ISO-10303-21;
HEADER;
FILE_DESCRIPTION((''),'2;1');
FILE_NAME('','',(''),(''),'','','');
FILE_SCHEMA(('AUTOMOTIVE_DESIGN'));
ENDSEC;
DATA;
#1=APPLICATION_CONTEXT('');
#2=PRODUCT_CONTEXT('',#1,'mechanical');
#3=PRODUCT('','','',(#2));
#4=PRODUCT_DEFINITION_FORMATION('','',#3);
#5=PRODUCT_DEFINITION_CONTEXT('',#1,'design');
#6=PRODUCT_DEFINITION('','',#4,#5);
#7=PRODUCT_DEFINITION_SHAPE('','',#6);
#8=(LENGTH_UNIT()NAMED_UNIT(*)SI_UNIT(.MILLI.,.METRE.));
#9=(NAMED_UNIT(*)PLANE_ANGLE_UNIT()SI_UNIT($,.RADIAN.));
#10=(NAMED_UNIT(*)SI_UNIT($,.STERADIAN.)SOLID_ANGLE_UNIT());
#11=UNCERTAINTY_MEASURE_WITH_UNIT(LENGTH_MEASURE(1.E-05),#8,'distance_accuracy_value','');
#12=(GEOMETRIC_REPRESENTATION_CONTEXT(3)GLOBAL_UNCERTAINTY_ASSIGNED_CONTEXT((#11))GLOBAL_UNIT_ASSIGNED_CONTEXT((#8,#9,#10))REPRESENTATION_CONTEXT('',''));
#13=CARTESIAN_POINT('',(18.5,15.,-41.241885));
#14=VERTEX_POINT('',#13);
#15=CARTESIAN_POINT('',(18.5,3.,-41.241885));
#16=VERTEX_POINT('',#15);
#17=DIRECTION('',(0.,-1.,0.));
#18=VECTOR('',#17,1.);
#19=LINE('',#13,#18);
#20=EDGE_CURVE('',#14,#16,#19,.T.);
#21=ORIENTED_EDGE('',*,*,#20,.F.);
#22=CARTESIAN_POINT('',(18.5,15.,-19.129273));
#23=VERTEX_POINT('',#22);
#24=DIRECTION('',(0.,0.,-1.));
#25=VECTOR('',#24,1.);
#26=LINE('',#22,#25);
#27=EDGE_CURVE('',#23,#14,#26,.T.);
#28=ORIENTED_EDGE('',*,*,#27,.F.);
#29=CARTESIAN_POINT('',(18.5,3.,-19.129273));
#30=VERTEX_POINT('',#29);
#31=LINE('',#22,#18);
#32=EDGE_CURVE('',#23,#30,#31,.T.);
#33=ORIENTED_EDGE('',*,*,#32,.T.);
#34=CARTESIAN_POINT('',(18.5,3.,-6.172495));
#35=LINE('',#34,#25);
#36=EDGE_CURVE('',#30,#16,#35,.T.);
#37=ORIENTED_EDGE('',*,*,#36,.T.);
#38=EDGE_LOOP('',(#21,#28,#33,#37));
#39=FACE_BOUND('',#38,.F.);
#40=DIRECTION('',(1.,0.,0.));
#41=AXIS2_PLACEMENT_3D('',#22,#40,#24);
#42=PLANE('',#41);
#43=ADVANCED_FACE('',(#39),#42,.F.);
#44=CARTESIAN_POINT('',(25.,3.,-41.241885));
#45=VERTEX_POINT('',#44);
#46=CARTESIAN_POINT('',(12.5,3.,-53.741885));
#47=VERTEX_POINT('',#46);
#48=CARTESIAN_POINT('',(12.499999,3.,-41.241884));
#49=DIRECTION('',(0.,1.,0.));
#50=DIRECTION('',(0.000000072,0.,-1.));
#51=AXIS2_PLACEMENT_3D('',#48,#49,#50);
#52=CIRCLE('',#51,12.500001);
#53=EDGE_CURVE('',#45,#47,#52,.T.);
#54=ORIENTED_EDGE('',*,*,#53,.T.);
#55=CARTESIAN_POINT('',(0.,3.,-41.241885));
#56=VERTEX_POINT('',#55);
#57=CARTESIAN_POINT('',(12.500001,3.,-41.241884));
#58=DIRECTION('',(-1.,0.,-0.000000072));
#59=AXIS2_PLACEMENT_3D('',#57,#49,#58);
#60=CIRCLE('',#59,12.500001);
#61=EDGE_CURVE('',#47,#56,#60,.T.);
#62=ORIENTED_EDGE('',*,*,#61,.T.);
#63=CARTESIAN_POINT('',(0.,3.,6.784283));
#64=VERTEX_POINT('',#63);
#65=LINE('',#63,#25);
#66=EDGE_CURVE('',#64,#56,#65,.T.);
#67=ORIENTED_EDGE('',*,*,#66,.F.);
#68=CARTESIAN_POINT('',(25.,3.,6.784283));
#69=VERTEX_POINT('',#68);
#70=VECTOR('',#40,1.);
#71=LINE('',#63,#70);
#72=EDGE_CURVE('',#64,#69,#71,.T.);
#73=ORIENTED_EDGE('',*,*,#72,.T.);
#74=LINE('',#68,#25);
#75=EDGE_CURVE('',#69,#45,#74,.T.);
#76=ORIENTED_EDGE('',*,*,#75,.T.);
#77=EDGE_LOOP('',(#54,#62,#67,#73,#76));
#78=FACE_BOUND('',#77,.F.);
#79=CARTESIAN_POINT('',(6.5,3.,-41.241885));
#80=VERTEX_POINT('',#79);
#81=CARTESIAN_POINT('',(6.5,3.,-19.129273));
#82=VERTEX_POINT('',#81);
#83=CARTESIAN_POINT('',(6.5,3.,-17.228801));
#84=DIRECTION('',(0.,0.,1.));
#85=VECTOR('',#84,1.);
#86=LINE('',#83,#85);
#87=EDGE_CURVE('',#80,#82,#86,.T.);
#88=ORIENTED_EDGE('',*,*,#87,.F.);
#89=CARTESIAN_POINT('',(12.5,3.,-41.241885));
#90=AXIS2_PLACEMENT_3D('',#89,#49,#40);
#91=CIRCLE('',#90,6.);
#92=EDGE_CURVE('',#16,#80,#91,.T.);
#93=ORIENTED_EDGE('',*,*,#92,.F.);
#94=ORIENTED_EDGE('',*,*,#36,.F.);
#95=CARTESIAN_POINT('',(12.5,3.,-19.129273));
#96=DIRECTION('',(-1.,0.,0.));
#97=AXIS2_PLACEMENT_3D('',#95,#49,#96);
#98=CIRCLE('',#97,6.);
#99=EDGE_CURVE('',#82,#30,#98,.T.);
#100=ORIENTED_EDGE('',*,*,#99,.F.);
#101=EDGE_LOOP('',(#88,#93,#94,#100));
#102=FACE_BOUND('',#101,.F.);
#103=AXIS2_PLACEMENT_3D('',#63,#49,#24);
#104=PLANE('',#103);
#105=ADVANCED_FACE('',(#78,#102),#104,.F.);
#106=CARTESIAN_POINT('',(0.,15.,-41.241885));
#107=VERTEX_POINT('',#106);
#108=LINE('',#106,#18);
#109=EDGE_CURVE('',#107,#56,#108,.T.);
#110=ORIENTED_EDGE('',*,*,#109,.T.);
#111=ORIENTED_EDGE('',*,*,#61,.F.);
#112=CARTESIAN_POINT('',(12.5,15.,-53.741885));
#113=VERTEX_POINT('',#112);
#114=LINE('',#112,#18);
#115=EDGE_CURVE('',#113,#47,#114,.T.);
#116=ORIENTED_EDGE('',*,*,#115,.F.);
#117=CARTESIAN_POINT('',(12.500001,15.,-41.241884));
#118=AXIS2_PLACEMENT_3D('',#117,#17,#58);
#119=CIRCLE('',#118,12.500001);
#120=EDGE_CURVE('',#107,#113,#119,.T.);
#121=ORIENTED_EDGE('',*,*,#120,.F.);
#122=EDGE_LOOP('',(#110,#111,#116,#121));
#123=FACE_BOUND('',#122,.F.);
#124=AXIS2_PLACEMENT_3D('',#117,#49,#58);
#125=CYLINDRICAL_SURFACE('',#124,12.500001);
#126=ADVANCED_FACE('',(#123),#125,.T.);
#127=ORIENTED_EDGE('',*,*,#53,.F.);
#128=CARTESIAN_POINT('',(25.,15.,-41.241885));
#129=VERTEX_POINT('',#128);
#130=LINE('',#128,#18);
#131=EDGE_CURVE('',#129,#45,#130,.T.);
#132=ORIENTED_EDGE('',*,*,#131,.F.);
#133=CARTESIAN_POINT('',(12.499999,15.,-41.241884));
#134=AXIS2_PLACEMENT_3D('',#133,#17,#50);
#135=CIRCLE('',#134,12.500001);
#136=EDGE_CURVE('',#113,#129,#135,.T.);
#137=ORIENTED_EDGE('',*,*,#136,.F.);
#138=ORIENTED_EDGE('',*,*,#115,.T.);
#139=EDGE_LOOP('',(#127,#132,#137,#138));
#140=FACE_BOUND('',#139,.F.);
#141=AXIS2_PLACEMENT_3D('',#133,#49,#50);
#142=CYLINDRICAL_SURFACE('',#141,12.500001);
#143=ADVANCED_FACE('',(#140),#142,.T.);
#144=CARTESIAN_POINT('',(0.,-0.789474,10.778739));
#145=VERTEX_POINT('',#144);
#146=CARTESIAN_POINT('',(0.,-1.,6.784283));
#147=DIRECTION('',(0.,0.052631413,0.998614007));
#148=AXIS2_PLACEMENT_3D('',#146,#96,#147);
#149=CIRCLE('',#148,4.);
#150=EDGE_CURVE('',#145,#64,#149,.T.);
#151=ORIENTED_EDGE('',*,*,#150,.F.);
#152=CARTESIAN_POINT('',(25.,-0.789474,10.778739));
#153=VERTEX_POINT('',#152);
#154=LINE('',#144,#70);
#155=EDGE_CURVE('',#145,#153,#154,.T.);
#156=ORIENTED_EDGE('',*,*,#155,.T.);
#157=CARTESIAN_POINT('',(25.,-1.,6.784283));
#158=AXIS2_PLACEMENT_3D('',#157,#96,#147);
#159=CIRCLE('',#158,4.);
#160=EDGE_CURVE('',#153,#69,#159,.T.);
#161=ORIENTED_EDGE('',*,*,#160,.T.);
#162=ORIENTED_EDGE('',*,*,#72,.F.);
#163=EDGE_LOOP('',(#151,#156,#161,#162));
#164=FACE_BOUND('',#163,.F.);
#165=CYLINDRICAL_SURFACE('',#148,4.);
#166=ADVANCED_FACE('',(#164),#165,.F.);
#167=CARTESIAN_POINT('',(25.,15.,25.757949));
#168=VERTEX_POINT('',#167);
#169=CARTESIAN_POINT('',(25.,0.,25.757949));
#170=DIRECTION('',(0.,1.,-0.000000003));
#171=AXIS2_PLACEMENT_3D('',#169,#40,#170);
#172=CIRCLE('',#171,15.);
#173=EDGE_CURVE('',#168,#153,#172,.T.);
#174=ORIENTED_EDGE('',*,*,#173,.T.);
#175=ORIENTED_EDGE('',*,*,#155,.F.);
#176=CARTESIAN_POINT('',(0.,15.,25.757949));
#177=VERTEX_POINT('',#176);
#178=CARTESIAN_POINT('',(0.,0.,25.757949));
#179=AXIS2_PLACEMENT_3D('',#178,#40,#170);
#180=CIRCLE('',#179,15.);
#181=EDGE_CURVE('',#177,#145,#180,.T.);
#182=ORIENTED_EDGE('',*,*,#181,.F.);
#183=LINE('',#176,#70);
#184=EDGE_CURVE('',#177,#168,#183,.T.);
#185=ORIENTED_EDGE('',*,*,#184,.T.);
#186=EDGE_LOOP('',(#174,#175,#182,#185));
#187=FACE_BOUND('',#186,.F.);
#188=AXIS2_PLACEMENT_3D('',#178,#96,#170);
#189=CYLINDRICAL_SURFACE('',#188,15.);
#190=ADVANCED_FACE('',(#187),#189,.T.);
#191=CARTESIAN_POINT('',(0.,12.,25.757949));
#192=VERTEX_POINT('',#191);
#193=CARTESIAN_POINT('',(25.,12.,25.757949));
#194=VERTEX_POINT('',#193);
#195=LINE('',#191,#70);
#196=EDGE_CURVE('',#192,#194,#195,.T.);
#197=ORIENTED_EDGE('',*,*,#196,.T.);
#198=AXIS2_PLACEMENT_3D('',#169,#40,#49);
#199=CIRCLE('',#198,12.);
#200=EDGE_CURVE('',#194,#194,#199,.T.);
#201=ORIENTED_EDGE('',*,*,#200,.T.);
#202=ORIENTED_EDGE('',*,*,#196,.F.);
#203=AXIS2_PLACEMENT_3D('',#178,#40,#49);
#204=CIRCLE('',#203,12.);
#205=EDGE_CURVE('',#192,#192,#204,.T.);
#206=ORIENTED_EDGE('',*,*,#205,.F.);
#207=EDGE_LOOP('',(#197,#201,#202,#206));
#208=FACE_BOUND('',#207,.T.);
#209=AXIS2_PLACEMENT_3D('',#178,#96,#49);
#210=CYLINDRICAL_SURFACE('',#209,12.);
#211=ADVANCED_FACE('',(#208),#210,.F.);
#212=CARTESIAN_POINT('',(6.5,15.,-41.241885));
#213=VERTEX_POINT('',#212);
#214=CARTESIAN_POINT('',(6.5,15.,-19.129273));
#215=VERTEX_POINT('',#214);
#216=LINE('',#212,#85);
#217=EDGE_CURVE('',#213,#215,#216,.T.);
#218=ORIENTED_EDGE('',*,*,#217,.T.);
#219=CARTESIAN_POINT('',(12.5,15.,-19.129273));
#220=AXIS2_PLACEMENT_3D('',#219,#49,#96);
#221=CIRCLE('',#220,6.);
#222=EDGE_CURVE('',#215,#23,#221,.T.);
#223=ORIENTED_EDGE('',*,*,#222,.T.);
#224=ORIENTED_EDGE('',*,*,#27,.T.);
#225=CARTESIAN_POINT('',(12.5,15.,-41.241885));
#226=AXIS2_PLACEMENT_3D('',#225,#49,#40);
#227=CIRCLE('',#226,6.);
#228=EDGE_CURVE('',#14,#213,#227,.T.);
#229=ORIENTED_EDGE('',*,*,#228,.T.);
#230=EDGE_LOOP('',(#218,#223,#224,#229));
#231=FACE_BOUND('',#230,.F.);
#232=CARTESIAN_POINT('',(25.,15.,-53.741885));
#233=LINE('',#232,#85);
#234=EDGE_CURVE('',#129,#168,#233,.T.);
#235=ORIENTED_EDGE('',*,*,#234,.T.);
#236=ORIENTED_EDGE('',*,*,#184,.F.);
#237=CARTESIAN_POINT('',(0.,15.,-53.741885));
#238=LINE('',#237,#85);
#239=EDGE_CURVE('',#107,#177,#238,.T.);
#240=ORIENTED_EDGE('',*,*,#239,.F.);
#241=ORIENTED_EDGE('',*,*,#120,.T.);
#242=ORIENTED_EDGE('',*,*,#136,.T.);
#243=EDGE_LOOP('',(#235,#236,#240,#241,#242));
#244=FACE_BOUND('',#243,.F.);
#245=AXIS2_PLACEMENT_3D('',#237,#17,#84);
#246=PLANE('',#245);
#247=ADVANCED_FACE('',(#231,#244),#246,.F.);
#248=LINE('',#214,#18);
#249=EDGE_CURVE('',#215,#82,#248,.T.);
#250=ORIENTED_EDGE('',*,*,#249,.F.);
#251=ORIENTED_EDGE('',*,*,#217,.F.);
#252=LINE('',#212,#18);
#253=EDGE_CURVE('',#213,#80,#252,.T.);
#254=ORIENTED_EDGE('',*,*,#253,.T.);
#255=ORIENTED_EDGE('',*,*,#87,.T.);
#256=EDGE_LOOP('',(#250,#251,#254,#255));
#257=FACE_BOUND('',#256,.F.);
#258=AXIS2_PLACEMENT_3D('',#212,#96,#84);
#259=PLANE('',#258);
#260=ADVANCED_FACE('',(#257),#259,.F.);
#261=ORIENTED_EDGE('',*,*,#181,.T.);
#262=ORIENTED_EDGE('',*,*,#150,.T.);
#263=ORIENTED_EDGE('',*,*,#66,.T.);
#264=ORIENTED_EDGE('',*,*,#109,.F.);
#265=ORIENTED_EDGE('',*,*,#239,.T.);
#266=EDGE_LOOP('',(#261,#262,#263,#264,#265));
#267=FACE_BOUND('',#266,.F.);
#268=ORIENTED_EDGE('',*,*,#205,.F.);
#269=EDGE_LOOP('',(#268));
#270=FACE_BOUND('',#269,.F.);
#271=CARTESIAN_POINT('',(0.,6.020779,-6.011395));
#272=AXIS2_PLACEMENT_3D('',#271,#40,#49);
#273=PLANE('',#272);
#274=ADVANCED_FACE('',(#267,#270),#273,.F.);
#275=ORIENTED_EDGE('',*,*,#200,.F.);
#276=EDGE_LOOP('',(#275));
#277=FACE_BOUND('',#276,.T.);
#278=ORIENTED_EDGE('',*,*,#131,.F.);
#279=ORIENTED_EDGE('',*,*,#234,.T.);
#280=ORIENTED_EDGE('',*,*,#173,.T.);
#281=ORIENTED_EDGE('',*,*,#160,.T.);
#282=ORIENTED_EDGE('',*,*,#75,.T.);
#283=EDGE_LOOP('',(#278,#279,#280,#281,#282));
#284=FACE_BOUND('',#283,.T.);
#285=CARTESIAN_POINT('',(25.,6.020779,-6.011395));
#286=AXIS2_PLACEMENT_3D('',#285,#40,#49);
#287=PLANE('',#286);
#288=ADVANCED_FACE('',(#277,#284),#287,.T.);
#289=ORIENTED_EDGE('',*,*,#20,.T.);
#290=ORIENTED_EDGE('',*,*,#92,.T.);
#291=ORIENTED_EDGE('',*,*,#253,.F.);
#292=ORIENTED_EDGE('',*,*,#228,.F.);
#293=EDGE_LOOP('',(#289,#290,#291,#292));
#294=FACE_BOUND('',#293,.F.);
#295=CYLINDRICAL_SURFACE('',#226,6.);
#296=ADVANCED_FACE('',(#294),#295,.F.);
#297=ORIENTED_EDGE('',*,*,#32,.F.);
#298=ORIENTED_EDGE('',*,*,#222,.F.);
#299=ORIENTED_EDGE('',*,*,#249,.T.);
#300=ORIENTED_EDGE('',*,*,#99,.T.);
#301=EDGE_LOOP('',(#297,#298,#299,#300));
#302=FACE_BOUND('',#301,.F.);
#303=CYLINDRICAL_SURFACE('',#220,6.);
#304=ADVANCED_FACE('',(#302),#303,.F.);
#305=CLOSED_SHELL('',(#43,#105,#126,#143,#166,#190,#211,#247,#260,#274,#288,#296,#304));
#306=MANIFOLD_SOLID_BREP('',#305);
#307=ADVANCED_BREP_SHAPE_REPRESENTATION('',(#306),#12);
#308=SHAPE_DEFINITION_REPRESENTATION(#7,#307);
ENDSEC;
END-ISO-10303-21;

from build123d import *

# Parameters (mm, degrees)
F0_R     = 12
F1_DEPTH = 25
F3_DEPTH = 25


with BuildPart() as f1:
    # F0 (on Right) → F1 (new body)
    with BuildSketch(Plane.YZ):
        with BuildLine():
            Line((15, -53.741885), (15, 25.757949))
            ThreePointArc((15, 25.757949), (-10.323708, 36.640093), (-0.789474, 10.778739))
            ThreePointArc((-0.789474, 10.778739), (1.901905, 9.537272), (3, 6.784283))
            Line((3, 6.784283), (3, -53.741885))
            Line((3, -53.741885), (15, -53.741885))
        make_face()
        with Locations((0, 25.757949)):
            Circle(F0_R, mode=Mode.SUBTRACT)
    extrude(amount=F1_DEPTH)

    # F2 (on face) → F3 (cut)
    with BuildSketch(Plane(origin=(0, 15, 0), x_dir=(-1, 0, 0), z_dir=(0, 1, 0))):
        with BuildLine():
            Line((0, -53.741885), (0, -41.241885))
            ThreePointArc((0, -41.241885), (-3.661165, -50.080719), (-12.5, -53.741885))
            Line((-12.5, -53.741885), (0, -53.741885))
        make_face()
        with BuildLine():
            Line((-25, -53.741885), (-12.5, -53.741885))
            ThreePointArc((-12.5, -53.741885), (-21.338835, -50.080719), (-25, -41.241885))
            Line((-25, -41.241885), (-25, -53.741885))
        make_face()
        with BuildLine():
            Line((-6.5, -41.241885), (-6.5, -19.129273))
            ThreePointArc((-6.5, -19.129273), (-12.5, -13.129273), (-18.5, -19.129273))
            Line((-18.5, -19.129273), (-18.5, -41.241885))
            ThreePointArc((-18.5, -41.241885), (-12.5, -47.241885), (-6.5, -41.241885))
        make_face()
    extrude(amount=-F3_DEPTH, mode=Mode.SUBTRACT)


solid = f1.part
